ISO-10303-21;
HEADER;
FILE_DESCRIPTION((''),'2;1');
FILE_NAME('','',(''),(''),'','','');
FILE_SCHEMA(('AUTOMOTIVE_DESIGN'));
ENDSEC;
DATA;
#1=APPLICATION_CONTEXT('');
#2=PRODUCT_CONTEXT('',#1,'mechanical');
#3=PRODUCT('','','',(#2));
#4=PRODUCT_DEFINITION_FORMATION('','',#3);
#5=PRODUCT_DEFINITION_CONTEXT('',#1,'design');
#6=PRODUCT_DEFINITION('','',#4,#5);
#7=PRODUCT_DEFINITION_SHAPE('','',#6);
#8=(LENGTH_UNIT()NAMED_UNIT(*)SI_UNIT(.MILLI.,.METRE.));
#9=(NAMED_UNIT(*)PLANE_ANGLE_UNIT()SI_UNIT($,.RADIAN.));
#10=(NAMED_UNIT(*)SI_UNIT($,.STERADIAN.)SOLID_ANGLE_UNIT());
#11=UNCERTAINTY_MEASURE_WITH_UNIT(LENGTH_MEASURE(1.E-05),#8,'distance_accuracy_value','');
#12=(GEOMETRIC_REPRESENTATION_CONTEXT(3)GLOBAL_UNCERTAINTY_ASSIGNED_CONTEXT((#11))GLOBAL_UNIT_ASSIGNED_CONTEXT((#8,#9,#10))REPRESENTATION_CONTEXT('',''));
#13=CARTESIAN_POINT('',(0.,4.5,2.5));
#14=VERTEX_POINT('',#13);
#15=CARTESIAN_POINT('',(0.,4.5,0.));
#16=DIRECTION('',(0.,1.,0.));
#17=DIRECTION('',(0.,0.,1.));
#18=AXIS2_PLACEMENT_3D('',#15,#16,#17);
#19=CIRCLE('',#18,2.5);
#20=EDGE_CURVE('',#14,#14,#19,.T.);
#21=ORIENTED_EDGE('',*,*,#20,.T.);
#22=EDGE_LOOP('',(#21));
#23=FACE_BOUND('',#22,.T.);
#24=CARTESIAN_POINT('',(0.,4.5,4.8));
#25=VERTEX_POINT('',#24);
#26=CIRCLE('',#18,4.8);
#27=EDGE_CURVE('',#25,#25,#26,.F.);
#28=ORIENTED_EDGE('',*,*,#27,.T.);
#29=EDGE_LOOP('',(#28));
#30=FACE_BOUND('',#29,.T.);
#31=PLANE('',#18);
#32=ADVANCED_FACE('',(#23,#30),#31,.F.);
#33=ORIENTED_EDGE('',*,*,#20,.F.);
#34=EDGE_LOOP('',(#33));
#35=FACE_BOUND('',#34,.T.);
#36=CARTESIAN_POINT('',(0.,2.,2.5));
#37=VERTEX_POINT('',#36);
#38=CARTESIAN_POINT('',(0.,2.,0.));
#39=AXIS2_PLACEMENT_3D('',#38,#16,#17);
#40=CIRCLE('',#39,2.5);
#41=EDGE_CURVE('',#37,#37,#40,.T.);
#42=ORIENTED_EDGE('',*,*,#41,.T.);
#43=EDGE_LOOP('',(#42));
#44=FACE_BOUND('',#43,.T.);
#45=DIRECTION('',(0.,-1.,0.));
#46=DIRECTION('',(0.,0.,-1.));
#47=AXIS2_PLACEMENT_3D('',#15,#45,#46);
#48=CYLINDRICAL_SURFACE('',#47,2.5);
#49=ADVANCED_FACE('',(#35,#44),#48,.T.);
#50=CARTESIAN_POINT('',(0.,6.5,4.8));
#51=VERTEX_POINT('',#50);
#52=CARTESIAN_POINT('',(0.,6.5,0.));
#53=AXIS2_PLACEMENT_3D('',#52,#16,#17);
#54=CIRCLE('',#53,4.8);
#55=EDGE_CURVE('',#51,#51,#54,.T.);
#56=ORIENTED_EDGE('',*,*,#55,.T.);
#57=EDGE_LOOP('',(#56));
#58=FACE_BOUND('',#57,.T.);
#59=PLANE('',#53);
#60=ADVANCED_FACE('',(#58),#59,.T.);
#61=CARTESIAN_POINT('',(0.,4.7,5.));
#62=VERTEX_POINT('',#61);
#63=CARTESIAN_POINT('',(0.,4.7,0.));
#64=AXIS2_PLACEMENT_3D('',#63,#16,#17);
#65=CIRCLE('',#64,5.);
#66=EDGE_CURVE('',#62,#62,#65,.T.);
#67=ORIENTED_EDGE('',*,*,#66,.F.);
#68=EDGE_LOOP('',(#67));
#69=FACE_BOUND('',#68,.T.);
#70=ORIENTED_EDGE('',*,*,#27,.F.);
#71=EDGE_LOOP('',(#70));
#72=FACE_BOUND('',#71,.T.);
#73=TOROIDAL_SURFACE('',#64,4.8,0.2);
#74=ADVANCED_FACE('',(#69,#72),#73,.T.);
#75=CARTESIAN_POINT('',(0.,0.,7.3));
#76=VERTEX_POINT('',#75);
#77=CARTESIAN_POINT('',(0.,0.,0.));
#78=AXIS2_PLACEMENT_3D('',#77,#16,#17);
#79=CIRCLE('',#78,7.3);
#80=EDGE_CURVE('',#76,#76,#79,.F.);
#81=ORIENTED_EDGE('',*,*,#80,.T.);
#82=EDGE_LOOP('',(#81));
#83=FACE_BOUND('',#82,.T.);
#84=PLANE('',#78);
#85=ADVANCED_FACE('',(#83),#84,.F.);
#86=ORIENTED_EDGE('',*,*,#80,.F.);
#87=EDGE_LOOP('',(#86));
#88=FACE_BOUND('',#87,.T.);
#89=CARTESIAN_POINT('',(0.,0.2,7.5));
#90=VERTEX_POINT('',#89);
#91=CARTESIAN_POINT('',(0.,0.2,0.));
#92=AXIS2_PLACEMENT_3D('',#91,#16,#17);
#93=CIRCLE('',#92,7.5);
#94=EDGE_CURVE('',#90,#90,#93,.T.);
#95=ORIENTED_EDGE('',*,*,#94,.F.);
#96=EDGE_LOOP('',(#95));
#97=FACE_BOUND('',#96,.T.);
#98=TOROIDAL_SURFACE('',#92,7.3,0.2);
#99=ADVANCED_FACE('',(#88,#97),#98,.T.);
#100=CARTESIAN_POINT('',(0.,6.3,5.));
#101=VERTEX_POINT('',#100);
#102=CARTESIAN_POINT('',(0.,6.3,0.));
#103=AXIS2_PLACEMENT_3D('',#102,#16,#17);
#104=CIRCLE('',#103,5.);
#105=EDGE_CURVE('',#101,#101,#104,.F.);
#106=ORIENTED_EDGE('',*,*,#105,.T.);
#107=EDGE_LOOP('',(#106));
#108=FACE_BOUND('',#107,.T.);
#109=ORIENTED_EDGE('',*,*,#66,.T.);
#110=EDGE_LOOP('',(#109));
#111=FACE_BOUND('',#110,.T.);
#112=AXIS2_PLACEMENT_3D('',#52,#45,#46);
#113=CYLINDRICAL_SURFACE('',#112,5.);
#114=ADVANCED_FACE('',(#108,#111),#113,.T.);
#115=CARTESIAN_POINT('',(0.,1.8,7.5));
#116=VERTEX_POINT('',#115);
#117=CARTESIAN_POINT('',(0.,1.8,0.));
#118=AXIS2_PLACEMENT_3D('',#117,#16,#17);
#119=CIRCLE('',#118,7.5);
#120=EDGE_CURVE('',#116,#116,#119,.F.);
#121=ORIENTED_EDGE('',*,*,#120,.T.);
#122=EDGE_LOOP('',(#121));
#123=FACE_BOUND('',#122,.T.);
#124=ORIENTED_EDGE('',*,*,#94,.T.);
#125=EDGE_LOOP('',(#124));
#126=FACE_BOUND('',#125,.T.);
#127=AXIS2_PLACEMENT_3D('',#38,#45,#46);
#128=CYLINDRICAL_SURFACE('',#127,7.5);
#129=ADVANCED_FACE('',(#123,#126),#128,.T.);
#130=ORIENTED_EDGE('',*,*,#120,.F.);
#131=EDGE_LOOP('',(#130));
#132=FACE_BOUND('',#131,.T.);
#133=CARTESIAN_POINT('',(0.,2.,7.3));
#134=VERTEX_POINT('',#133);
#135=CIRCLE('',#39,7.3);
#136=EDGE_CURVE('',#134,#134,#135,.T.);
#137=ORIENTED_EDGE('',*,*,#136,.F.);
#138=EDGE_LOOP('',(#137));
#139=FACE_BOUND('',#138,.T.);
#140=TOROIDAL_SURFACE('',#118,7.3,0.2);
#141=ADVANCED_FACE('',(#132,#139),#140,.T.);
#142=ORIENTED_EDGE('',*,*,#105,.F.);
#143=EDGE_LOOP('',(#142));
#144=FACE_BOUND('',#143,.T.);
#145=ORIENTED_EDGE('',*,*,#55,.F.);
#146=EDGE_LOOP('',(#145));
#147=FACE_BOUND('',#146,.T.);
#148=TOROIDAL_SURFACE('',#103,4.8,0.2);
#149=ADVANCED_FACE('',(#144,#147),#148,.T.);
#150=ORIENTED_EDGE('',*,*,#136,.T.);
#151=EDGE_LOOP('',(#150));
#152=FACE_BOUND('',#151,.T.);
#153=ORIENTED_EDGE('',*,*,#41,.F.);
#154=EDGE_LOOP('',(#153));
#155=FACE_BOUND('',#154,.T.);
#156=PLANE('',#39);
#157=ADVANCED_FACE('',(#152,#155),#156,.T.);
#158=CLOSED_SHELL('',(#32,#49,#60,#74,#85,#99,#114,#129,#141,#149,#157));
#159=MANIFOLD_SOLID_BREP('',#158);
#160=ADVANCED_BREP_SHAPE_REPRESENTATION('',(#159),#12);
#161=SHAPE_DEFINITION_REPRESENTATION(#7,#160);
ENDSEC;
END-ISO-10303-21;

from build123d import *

# Parameters (mm, degrees)
SKETCH1_R           = 7.5
BOSS_EXTRUDE1_DEPTH = 2
SKETCH2_R           = 2.5
BOSS_EXTRUDE2_DEPTH = 2.5
SKETCH3_R           = 5
BOSS_EXTRUDE3_DEPTH = 2
FILLET1_R           = 0.2


with BuildPart() as part:
    # Sketch1 → Boss-Extrude1 (new body)
    with BuildSketch(Plane(origin=(0, 0, 0), x_dir=(1, 0, 0), z_dir=(0, 1, 0))):
        with Locations(Location((0, 0, 0), (0, 0, 270))):
            Circle(SKETCH1_R)
    extrude(amount=BOSS_EXTRUDE1_DEPTH)

    # Sketch2 → Boss-Extrude2 (add)
    with BuildSketch(Plane(origin=(0, 2, 0), x_dir=(1, 0, 0), z_dir=(0, 1, 0))):
        with Locations(Location((0, 0, 0), (0, 0, 270))):
            Circle(SKETCH2_R)
    extrude(amount=BOSS_EXTRUDE2_DEPTH)

    # Sketch3 → Boss-Extrude3 (add)
    with BuildSketch(Plane(origin=(0, 4.5, 0), x_dir=(1, 0, 0), z_dir=(0, 1, 0))):
        with Locations(Location((0, 0, 0), (0, 0, 270))):
            Circle(SKETCH3_R)
    extrude(amount=BOSS_EXTRUDE3_DEPTH)

    # Fillet1
    fillet1_edges = [part.edges().sort_by_distance(p)[0] for p in [
        (0, 6.5, -5),
        (0, 0, -7.5),
        (0, 2, -7.5),
        (0, 4.5, -5),
    ]]
    fillet(fillet1_edges, radius=FILLET1_R)


solid = part.part
